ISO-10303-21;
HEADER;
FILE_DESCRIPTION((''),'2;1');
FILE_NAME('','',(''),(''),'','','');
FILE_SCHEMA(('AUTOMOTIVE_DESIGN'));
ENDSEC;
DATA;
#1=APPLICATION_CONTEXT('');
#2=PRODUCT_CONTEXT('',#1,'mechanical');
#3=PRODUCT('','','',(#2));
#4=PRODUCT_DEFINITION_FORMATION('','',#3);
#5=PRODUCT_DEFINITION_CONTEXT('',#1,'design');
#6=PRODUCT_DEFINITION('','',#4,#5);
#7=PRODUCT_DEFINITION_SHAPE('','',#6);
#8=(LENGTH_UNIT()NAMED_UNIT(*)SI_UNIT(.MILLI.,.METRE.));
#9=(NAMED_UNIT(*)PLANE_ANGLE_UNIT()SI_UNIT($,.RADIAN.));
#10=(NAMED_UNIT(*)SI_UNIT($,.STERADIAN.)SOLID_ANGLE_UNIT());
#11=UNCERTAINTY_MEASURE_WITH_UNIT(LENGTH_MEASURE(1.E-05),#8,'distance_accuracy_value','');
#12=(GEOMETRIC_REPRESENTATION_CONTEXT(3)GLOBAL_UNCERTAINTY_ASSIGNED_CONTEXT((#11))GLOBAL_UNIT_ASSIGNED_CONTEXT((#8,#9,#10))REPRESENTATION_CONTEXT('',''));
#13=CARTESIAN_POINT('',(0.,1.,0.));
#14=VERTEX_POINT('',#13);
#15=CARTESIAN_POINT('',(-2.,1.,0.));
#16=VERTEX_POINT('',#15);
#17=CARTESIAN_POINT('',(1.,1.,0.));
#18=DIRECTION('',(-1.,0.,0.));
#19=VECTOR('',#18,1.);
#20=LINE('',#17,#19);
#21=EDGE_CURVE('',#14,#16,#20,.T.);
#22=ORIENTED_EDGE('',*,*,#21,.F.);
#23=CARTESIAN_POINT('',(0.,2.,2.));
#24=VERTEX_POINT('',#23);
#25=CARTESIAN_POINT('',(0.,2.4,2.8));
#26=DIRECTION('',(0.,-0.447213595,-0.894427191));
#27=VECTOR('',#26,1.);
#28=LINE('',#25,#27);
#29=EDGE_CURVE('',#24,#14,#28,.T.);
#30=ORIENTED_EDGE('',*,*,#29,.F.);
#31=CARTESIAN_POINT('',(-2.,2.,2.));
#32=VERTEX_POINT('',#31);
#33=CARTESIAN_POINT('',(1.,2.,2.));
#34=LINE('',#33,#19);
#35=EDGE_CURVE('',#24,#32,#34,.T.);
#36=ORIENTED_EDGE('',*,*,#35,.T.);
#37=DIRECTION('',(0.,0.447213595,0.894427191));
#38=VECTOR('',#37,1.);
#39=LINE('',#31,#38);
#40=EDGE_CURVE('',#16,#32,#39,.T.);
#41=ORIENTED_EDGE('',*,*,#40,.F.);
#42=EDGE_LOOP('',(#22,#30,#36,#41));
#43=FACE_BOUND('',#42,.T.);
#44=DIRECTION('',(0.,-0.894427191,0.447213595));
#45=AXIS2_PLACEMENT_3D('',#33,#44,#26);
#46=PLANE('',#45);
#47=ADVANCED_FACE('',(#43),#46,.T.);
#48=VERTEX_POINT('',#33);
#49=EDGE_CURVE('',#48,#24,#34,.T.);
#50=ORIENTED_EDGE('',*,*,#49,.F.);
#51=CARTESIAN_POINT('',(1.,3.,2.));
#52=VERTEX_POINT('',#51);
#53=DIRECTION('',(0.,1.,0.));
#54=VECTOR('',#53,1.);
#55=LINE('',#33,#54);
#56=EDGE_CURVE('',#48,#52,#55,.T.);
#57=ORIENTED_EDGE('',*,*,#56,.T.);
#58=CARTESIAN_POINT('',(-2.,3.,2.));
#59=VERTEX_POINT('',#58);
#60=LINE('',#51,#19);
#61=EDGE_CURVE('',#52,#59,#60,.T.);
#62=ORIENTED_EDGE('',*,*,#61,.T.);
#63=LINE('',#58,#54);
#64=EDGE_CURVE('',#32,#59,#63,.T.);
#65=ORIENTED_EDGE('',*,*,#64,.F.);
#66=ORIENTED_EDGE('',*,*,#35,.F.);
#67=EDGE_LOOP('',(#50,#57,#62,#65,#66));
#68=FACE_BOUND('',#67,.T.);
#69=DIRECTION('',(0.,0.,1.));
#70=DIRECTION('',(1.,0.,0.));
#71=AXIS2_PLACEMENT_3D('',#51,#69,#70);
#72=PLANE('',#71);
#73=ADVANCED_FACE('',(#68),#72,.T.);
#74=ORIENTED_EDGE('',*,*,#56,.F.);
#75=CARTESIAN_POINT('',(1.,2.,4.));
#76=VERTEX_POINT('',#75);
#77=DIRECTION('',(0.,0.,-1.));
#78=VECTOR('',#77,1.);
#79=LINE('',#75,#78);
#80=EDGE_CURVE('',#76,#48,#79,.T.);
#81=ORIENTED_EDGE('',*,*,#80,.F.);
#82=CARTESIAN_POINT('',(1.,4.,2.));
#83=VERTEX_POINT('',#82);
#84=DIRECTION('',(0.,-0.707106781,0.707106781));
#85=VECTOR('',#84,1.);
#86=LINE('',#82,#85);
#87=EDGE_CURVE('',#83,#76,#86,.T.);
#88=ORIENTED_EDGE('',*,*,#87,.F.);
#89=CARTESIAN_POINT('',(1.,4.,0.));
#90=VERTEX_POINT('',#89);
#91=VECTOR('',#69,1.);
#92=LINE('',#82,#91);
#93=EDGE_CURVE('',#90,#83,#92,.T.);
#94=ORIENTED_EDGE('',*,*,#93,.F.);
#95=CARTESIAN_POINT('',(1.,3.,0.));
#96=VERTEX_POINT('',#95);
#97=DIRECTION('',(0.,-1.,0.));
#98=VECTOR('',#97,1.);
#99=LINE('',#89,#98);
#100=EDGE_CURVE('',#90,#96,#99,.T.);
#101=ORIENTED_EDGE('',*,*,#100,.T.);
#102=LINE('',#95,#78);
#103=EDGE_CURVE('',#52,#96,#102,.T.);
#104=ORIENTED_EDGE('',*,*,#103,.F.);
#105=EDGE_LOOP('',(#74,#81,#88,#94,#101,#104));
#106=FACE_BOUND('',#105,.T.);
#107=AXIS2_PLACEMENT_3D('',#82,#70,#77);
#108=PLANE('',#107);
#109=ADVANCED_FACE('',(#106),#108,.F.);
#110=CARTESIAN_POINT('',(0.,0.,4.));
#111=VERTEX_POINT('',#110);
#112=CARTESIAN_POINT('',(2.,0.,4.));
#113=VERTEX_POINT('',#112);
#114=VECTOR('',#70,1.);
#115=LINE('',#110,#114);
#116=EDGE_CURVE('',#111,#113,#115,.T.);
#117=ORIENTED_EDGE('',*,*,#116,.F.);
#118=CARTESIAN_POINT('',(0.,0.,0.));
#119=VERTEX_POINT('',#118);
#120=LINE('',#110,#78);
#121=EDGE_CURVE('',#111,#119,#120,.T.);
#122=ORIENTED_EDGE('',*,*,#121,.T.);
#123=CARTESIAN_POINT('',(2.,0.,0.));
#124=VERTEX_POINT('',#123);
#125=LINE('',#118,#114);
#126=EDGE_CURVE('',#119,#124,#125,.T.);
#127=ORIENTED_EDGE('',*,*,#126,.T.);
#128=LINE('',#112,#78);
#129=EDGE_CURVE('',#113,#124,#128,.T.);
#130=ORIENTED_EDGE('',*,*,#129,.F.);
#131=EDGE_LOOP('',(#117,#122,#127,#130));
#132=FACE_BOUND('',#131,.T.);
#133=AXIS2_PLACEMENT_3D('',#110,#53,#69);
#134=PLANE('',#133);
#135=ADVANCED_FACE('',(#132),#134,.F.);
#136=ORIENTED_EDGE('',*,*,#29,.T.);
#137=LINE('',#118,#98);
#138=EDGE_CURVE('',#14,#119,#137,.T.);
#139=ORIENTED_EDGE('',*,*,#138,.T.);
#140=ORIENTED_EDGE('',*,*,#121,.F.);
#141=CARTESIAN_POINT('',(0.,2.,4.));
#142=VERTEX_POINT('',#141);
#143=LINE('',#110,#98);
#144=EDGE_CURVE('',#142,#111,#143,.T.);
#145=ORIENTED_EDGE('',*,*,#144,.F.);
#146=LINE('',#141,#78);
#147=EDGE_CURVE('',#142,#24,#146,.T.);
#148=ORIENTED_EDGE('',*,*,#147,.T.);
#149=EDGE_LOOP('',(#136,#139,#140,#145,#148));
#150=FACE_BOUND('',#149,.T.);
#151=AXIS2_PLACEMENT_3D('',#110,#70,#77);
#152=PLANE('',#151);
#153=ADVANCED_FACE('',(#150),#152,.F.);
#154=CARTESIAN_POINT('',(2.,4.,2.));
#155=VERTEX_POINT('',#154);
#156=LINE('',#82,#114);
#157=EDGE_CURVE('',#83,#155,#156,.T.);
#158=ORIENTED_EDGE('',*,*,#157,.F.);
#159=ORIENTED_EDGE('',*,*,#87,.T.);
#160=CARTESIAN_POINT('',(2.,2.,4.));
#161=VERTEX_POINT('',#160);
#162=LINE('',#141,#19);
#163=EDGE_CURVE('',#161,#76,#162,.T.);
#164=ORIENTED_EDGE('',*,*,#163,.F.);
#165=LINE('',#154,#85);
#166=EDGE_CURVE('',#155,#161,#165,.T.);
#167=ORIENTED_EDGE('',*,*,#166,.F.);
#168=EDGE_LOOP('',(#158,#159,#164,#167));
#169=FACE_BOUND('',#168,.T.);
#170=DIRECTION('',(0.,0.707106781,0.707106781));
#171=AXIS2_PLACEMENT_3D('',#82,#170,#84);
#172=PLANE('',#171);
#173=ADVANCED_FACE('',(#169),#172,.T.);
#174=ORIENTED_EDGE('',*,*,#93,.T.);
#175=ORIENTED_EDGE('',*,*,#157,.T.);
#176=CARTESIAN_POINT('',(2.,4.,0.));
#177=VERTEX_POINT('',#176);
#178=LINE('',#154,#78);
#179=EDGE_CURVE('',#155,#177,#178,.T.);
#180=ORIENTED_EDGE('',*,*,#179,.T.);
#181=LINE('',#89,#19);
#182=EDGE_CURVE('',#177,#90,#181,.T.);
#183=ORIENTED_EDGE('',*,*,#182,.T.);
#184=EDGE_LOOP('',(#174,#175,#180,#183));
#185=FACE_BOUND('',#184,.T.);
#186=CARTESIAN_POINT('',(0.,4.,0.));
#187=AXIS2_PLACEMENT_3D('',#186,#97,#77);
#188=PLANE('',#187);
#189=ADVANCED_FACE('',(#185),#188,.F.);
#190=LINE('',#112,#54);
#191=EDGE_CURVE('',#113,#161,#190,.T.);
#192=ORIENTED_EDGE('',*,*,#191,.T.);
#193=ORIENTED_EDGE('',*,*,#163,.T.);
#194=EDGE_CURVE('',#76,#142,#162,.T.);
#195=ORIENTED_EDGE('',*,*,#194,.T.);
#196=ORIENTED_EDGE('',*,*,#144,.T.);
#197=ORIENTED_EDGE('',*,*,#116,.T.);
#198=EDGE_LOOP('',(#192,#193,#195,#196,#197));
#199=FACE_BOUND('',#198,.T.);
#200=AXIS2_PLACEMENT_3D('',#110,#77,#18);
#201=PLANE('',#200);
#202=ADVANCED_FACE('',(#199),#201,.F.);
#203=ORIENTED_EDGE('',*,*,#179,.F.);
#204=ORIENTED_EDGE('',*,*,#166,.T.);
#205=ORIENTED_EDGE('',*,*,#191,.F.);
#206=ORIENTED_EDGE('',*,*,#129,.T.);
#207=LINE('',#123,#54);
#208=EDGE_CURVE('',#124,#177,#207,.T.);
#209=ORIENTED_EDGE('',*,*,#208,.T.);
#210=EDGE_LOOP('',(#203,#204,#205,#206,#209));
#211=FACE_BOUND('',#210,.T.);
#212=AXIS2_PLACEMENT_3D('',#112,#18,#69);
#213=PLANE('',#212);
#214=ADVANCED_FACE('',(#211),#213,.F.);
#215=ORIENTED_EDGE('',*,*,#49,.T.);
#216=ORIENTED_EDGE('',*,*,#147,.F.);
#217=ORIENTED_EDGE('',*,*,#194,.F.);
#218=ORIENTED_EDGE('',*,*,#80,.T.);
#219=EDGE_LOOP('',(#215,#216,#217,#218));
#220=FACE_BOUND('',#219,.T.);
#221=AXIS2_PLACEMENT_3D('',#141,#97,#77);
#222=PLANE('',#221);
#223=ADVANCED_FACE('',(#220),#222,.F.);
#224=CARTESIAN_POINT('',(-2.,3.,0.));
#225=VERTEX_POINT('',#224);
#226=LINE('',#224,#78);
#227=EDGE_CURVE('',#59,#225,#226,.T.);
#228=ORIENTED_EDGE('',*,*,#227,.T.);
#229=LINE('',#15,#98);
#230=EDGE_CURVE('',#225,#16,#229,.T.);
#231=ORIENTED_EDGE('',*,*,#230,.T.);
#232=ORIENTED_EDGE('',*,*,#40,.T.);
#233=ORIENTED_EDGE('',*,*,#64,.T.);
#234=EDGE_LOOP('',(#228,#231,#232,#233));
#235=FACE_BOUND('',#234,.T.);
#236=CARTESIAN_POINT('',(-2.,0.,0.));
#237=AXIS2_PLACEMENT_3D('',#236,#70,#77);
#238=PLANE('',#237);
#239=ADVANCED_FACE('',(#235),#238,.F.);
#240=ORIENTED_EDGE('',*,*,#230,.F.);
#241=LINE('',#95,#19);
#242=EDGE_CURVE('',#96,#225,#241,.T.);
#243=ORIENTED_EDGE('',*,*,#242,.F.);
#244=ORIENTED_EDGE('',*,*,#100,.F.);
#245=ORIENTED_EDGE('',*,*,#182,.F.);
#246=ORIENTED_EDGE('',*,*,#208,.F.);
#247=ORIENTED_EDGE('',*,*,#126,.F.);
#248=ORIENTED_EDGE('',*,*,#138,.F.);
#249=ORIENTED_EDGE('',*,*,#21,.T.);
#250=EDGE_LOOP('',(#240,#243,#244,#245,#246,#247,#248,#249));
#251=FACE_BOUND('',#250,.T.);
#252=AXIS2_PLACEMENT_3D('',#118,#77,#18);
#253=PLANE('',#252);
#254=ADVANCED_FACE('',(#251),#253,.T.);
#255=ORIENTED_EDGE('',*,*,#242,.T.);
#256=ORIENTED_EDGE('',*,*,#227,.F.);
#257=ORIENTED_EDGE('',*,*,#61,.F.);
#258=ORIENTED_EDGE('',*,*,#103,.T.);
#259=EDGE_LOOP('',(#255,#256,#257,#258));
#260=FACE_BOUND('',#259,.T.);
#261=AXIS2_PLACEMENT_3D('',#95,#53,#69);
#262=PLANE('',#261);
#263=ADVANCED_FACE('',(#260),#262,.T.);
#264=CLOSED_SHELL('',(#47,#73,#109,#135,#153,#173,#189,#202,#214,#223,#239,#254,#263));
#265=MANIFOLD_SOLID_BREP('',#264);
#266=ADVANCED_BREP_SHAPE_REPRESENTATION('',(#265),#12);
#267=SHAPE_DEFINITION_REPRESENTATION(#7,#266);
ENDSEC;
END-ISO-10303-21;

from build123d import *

# Parameters (mm, degrees)
SKETCH2_W                = 2
SKETCH2_H                = 2
BOSS_EXTRUDE1_DEPTH      = 4
BOSS_EXTRUDE2_DEPTH      = 2
BOSS_EXTRUDE2_DEPTH_BACK = 1
SKETCH4_W                = 1
SKETCH4_H                = 2
BOSS_EXTRUDE3_DEPTH      = 2
BOSS_EXTRUDE4_DEPTH      = 1


with BuildPart() as part:
    # Sketch2 → Boss-Extrude1 (new body)
    with BuildSketch(Plane.XY):
        with Locations((1, 1)):
            Rectangle(SKETCH2_W, SKETCH2_H)
    extrude(amount=BOSS_EXTRUDE1_DEPTH)

    # Sketch3 → Boss-Extrude2 (add, two sides)
    with BuildSketch(Plane.ZY) as boss_extrude2_sk:
        Polygon((0, 1), (0, 3), (2, 3), (2, 2), align=None)
    extrude(amount=BOSS_EXTRUDE2_DEPTH)
    extrude(boss_extrude2_sk.sketch, amount=-BOSS_EXTRUDE2_DEPTH_BACK)

    # Sketch4 → Boss-Extrude3 (add)
    with BuildSketch(Plane(origin=(0, 2, 0), x_dir=(1, 0, 0), z_dir=(0, 1, 0))):
        with Locations((1.5, -1)):
            Rectangle(SKETCH4_W, SKETCH4_H)
    extrude(amount=BOSS_EXTRUDE3_DEPTH)

    # Sketch5 → Boss-Extrude4 (add)
    with BuildSketch(Plane(origin=(2, 0, 0), x_dir=(0, 0, -1), z_dir=(1, 0, 0))):
        Polygon((-2, 4), (-4, 2), (-2, 2), align=None)
    extrude(amount=-BOSS_EXTRUDE4_DEPTH)


solid = part.part
